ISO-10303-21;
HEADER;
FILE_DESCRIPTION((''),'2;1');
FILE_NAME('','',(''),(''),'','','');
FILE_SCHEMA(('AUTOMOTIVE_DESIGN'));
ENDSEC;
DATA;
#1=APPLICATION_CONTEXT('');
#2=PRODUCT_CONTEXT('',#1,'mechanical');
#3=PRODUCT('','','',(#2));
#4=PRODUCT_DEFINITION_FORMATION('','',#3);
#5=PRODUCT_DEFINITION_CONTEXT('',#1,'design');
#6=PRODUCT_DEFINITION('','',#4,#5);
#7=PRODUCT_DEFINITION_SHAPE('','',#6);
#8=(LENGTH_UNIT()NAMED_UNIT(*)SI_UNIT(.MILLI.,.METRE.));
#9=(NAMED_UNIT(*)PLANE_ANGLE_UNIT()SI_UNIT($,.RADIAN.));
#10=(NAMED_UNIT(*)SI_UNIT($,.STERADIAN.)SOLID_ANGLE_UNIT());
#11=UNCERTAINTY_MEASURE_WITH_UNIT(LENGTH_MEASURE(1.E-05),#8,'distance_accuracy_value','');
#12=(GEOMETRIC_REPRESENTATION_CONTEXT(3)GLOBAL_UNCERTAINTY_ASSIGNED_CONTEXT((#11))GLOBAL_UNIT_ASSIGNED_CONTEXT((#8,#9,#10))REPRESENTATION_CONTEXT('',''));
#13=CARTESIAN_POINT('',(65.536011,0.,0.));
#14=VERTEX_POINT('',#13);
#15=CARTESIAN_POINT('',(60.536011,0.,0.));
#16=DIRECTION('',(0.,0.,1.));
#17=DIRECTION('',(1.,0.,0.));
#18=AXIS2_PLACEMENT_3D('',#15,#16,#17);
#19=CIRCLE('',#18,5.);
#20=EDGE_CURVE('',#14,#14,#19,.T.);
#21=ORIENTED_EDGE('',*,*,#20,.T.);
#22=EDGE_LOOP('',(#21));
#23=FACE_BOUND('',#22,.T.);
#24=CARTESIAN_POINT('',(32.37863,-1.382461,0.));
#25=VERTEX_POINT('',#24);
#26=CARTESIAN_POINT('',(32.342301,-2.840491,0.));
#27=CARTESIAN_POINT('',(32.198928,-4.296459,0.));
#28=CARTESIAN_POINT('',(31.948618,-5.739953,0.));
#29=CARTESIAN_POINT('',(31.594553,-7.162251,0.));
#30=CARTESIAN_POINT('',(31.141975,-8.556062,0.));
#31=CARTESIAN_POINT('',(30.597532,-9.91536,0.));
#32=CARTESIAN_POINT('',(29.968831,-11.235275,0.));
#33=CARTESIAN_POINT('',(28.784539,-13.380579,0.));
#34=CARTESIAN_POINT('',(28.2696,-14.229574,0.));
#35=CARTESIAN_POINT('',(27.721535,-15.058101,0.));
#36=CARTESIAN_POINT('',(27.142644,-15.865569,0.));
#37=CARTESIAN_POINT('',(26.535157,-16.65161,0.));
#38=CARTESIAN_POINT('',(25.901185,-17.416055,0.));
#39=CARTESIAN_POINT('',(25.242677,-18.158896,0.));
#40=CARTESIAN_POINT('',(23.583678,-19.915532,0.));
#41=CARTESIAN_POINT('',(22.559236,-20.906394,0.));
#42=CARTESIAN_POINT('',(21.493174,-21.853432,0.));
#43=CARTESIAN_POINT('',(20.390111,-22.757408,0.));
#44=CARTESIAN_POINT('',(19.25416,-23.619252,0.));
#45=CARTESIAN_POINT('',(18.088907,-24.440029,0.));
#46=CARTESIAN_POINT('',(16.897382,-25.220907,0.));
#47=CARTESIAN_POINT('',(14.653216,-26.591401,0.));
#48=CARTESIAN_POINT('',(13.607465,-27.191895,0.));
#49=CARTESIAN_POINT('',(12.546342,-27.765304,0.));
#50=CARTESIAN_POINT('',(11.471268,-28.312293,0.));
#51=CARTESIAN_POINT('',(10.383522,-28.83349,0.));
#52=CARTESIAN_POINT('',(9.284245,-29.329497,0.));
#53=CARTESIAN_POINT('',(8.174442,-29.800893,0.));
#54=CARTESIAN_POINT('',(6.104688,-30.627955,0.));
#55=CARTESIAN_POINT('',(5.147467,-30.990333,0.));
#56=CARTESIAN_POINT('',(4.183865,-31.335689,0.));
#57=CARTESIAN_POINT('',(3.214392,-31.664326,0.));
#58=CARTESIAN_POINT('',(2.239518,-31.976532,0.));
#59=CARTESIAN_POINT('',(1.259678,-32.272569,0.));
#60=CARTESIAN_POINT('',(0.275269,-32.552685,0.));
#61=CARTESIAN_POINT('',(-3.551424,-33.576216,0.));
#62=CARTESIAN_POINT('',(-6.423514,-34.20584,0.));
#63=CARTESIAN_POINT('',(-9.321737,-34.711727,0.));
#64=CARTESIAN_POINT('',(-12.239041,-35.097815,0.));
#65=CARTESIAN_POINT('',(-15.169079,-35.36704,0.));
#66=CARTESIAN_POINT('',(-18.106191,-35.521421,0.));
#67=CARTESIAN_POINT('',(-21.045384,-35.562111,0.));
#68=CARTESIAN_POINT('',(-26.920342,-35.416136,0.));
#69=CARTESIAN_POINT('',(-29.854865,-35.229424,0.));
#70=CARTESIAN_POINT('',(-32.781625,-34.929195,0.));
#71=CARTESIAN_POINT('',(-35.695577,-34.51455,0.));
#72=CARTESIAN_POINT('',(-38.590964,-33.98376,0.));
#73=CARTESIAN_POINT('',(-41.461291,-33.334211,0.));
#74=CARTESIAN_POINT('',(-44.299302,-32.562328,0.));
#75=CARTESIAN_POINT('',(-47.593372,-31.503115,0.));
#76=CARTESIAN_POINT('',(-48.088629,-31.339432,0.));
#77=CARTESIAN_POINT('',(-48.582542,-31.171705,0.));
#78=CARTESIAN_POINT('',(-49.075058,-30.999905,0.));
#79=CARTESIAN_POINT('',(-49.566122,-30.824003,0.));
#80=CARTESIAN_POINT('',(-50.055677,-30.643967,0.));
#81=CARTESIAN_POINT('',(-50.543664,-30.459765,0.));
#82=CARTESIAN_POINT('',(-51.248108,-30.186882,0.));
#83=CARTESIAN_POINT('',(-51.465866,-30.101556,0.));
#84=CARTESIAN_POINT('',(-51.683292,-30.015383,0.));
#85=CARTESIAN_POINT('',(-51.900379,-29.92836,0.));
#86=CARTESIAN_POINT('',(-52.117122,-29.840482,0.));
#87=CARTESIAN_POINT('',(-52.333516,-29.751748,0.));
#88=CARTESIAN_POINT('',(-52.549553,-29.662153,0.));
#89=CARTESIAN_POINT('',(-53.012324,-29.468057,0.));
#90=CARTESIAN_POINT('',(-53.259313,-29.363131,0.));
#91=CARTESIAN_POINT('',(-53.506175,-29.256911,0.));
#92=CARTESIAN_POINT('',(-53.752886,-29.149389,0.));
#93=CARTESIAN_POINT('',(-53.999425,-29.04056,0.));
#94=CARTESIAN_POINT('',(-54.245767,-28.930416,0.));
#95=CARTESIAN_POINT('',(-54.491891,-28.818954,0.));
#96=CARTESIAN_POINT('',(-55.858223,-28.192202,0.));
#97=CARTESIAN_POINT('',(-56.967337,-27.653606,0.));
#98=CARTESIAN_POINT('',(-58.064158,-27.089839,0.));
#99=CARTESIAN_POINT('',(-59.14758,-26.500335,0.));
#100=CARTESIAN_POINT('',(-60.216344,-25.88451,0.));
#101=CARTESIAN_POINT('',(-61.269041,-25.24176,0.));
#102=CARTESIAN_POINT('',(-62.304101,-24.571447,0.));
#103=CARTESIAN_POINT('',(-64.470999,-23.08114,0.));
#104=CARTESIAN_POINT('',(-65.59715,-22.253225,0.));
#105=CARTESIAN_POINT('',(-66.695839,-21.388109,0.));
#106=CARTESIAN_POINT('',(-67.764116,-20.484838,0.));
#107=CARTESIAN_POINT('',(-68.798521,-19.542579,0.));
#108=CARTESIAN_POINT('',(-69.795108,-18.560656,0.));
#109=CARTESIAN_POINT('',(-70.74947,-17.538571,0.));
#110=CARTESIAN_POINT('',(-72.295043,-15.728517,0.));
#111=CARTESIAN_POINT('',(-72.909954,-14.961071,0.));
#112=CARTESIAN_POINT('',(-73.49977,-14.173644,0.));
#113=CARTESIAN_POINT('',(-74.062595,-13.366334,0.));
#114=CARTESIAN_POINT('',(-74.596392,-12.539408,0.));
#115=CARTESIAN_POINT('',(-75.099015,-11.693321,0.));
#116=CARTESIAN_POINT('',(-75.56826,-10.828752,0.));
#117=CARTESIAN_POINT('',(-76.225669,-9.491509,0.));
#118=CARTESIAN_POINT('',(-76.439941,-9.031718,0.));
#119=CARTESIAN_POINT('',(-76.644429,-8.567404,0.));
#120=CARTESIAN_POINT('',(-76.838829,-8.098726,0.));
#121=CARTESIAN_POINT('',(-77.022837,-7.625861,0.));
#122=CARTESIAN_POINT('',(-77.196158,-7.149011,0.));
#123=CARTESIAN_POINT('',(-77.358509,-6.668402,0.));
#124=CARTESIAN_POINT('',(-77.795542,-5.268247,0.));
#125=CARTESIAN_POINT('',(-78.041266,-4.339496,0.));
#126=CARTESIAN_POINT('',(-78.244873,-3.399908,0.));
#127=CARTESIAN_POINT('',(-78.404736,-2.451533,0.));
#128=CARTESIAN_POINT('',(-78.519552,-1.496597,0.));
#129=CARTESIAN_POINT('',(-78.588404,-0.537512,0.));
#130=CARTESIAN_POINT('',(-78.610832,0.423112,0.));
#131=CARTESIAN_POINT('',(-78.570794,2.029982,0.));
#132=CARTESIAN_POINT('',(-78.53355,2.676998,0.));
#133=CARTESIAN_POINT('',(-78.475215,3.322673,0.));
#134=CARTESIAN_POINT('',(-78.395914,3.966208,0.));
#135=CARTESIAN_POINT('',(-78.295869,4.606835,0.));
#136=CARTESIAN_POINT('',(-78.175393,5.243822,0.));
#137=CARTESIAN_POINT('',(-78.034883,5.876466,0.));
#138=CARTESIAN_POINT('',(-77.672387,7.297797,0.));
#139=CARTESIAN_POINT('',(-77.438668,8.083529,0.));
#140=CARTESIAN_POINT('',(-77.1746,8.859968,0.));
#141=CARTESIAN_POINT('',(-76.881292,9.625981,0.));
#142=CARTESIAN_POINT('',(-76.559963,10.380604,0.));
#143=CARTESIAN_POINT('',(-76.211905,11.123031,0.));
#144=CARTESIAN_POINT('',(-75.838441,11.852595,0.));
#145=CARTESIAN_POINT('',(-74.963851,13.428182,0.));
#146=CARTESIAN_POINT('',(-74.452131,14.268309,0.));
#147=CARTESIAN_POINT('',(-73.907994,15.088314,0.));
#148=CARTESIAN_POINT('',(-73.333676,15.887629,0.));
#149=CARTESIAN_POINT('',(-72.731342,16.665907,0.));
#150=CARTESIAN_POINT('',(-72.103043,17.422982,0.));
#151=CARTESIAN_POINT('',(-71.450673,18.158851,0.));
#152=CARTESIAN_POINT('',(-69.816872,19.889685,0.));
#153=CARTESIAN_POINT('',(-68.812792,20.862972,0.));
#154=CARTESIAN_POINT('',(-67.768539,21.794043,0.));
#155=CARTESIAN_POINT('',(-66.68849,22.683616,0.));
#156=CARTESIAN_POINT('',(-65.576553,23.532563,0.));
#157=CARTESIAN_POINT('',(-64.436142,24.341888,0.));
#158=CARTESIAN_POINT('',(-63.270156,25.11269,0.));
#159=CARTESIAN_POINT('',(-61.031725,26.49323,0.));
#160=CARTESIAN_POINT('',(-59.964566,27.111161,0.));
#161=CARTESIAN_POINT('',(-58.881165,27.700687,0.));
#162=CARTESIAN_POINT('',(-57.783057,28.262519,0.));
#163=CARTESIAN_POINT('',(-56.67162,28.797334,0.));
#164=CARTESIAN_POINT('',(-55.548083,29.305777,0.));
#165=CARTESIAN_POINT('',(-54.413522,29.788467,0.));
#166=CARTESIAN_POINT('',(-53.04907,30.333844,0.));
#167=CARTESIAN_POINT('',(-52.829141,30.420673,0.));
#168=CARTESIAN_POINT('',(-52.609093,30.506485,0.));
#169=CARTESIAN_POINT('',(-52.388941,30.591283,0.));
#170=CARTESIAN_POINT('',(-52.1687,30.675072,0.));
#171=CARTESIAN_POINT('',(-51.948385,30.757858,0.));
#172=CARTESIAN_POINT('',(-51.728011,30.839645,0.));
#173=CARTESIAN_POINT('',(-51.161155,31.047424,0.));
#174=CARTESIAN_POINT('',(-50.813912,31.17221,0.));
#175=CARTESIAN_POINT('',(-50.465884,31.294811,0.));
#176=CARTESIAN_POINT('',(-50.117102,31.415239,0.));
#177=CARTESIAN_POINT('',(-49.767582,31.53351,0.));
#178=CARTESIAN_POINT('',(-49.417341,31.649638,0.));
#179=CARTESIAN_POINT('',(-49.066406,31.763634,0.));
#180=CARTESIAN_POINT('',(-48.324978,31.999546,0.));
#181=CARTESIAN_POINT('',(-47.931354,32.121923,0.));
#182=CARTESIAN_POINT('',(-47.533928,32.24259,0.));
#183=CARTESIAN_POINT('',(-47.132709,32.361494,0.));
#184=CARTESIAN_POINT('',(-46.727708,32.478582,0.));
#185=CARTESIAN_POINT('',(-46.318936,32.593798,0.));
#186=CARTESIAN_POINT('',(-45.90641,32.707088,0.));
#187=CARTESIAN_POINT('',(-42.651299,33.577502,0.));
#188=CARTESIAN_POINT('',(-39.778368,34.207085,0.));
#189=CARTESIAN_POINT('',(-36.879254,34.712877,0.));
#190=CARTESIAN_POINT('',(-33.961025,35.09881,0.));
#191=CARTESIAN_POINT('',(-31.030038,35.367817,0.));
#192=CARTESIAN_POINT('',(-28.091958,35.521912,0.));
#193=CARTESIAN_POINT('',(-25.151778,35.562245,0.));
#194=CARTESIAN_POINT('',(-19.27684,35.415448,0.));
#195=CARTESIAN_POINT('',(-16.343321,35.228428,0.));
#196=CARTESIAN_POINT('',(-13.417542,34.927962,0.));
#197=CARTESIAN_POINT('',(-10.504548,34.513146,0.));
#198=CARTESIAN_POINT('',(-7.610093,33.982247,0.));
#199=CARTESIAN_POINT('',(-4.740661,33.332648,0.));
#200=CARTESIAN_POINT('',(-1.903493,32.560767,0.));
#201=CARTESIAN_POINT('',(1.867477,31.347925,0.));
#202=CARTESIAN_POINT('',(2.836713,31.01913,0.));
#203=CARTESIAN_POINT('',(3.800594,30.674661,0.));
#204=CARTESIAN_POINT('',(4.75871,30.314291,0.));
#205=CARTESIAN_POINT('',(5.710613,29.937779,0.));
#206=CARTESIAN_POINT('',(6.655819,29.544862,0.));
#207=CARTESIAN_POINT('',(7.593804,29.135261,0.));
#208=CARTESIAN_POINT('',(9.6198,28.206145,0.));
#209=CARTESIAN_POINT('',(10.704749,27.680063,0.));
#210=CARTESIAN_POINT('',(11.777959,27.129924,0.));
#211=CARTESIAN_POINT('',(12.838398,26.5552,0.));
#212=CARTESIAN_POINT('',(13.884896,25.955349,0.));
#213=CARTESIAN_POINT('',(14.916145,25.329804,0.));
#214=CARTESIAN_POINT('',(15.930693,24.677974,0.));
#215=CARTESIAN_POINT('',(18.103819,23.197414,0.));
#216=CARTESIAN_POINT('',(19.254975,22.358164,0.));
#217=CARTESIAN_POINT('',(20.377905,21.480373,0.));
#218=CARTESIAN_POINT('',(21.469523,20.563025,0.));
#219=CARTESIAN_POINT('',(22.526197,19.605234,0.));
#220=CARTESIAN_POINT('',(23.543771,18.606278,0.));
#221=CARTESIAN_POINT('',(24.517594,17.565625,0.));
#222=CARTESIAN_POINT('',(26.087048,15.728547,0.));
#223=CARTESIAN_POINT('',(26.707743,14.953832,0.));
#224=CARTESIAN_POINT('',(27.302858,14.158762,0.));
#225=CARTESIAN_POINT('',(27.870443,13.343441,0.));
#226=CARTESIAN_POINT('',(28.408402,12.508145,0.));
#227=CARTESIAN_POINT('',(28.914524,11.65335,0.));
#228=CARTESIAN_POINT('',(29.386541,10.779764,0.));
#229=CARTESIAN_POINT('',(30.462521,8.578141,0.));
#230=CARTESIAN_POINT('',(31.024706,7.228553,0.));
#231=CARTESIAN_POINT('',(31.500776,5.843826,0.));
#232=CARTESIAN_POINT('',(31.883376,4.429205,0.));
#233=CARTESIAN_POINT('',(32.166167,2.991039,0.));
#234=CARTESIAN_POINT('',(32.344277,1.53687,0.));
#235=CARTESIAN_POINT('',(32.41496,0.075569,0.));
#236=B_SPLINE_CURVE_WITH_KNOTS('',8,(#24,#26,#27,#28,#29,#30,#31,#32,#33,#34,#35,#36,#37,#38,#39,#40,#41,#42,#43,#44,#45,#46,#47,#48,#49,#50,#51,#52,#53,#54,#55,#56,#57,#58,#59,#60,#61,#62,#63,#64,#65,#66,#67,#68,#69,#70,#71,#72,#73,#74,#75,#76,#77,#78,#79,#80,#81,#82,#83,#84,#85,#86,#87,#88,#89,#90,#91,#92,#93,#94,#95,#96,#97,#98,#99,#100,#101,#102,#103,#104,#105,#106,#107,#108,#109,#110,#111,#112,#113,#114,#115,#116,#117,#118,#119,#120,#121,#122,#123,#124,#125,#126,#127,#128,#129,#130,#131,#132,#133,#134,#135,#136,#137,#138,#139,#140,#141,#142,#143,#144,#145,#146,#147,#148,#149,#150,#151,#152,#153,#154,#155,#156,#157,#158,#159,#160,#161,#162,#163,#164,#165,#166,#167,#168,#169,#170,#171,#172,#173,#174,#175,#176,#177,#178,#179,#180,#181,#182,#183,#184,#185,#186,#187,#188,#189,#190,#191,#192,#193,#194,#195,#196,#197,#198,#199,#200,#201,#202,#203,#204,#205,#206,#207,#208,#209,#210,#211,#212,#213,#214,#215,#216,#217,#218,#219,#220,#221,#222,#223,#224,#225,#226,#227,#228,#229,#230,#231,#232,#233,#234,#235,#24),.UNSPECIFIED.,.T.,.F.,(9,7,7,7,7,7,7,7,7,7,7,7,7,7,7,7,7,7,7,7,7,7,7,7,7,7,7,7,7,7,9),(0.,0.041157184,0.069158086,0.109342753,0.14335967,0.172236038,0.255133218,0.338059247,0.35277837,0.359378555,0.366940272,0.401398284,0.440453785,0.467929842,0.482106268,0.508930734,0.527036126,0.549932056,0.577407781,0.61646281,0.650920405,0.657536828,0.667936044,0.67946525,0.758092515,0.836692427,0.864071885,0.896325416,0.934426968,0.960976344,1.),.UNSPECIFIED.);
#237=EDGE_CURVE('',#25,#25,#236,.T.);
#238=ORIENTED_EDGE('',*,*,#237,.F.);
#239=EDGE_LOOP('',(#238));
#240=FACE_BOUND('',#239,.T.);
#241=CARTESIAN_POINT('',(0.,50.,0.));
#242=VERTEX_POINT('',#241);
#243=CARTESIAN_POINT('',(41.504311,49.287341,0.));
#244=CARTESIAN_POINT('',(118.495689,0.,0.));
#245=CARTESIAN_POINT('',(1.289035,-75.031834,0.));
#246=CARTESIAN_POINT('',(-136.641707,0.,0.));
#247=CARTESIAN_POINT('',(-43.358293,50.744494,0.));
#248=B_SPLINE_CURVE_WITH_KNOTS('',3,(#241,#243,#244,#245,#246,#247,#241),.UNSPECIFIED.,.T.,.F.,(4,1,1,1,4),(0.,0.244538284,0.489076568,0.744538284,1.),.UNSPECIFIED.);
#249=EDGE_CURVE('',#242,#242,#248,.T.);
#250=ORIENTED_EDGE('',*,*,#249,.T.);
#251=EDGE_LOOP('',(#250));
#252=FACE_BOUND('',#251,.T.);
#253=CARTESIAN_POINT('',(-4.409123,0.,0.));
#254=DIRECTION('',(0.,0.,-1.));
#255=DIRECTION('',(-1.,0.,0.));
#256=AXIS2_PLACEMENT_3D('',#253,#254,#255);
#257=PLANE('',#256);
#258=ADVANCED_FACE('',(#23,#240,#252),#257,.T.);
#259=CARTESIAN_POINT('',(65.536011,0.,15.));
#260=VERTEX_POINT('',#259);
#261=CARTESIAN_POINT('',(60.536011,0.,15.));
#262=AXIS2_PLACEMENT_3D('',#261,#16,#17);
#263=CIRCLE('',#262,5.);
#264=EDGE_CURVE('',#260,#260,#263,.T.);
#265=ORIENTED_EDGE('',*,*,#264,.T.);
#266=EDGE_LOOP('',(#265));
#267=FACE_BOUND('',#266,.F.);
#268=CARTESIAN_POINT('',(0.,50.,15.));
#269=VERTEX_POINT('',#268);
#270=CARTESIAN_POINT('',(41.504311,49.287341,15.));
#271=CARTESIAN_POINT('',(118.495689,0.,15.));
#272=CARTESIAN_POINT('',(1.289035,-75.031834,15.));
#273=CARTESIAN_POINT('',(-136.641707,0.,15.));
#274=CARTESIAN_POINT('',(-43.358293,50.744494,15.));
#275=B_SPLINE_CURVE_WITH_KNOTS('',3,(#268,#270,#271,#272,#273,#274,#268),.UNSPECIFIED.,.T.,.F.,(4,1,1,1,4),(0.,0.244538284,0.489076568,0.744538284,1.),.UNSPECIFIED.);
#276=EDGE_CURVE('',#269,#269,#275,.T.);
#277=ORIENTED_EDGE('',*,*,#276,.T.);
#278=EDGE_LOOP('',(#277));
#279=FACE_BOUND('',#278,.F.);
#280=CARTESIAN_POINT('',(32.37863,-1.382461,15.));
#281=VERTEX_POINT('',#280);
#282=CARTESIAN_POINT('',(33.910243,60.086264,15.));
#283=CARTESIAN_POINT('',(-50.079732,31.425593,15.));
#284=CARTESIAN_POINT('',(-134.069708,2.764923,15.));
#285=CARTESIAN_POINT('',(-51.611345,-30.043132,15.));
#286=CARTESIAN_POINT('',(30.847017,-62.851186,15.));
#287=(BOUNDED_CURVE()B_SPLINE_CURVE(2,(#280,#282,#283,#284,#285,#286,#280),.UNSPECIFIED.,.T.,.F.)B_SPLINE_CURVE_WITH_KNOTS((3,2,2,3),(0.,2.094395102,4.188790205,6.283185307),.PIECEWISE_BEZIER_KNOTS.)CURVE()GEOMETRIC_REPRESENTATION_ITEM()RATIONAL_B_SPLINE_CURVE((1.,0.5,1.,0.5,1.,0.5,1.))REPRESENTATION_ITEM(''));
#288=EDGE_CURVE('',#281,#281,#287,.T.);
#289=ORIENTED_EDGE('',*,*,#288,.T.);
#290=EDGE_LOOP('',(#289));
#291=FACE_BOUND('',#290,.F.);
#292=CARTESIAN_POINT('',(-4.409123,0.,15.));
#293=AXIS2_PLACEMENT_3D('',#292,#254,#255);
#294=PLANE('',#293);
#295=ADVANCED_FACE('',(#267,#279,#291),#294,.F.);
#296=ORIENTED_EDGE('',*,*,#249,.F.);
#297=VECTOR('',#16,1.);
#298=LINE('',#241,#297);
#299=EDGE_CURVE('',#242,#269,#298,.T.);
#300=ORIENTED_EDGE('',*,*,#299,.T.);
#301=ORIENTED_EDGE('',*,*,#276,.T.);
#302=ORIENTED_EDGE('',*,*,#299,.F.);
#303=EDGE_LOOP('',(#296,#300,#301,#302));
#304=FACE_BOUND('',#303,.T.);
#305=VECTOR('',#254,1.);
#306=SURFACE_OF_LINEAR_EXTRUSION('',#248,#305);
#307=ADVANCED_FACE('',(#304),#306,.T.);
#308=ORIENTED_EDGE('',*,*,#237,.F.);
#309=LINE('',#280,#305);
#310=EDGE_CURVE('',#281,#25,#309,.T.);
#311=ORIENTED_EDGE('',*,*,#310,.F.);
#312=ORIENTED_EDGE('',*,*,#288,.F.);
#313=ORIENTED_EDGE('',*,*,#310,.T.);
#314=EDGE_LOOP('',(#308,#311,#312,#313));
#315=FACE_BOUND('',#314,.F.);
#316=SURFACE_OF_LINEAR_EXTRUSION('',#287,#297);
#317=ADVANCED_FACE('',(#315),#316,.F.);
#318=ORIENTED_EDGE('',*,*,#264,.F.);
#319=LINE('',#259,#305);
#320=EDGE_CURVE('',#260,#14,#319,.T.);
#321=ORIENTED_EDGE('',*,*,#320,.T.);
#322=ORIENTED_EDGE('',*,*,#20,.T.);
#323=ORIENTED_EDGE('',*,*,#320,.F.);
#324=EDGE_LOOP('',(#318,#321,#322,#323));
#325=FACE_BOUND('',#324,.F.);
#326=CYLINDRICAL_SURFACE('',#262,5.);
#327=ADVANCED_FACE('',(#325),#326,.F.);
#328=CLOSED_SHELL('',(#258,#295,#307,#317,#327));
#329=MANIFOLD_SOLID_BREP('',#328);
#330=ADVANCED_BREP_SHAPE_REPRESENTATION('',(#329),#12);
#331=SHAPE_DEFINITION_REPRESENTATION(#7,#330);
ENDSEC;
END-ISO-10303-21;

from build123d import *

# Parameters (mm, degrees)
F1_DEPTH = 15
F2_R     = 10
F3_DEPTH = 6
F5_DEPTH = 25
F6_R     = 5
F7_DEPTH = 25


with BuildPart() as f1:
    # F0 (on Top) → F1 (new body)
    with BuildSketch(Plane.XY):
        with BuildLine():
            add(Edge.make_bspline(
                [(0, 50), (41.5043112764, 49.2873405793), (118.4956887236, 0), (1.2890348152, -75.0318342246), (-136.6417069636, 0), (-43.3582930364, 50.7444936453), (0, 50)],
                knots=[0, 0, 0, 0, 0.244538284, 0.4890765681, 0.744538284, 1, 1, 1, 1], degree=3))
        make_face()
    extrude(amount=F1_DEPTH)

    # F2 (on face) → F3 (cut)
    with BuildSketch(Plane(origin=(0, 0, 0), x_dir=(1, 0, 0), z_dir=(0, 0, -1))):
        Circle(F2_R)
    extrude(amount=-F3_DEPTH, mode=Mode.SUBTRACT)

    # F4 (on face) → F5 (cut)
    with BuildSketch(Plane.XY.offset(15)):
        with BuildLine():
            add(Edge.make_bspline(
                [(32.3786302867, -1.382461373), (33.9102431422, 60.0862636997), (-50.0797322585, 31.4255932229), (-134.0697076593, 2.764922746), (-51.6113451141, -30.0431318498), (30.8470174311, -62.8511864457), (32.3786302867, -1.382461373)],
                knots=[0, 0, 0, 2.0943951024, 2.0943951024, 4.1887902048, 4.1887902048, 6.2831853072, 6.2831853072, 6.2831853072], degree=2, weights=[1, 0.5, 1, 0.5, 1, 0.5, 1]))
        make_face()
    extrude(amount=-F5_DEPTH, mode=Mode.SUBTRACT)

    # F6 (on face) → F7 (cut)
    with BuildSketch(Plane.XY.offset(15)):
        with Locations((60.5360114284, 0)):
            Circle(F6_R)
    extrude(amount=-F7_DEPTH, mode=Mode.SUBTRACT)


solid = f1.part
